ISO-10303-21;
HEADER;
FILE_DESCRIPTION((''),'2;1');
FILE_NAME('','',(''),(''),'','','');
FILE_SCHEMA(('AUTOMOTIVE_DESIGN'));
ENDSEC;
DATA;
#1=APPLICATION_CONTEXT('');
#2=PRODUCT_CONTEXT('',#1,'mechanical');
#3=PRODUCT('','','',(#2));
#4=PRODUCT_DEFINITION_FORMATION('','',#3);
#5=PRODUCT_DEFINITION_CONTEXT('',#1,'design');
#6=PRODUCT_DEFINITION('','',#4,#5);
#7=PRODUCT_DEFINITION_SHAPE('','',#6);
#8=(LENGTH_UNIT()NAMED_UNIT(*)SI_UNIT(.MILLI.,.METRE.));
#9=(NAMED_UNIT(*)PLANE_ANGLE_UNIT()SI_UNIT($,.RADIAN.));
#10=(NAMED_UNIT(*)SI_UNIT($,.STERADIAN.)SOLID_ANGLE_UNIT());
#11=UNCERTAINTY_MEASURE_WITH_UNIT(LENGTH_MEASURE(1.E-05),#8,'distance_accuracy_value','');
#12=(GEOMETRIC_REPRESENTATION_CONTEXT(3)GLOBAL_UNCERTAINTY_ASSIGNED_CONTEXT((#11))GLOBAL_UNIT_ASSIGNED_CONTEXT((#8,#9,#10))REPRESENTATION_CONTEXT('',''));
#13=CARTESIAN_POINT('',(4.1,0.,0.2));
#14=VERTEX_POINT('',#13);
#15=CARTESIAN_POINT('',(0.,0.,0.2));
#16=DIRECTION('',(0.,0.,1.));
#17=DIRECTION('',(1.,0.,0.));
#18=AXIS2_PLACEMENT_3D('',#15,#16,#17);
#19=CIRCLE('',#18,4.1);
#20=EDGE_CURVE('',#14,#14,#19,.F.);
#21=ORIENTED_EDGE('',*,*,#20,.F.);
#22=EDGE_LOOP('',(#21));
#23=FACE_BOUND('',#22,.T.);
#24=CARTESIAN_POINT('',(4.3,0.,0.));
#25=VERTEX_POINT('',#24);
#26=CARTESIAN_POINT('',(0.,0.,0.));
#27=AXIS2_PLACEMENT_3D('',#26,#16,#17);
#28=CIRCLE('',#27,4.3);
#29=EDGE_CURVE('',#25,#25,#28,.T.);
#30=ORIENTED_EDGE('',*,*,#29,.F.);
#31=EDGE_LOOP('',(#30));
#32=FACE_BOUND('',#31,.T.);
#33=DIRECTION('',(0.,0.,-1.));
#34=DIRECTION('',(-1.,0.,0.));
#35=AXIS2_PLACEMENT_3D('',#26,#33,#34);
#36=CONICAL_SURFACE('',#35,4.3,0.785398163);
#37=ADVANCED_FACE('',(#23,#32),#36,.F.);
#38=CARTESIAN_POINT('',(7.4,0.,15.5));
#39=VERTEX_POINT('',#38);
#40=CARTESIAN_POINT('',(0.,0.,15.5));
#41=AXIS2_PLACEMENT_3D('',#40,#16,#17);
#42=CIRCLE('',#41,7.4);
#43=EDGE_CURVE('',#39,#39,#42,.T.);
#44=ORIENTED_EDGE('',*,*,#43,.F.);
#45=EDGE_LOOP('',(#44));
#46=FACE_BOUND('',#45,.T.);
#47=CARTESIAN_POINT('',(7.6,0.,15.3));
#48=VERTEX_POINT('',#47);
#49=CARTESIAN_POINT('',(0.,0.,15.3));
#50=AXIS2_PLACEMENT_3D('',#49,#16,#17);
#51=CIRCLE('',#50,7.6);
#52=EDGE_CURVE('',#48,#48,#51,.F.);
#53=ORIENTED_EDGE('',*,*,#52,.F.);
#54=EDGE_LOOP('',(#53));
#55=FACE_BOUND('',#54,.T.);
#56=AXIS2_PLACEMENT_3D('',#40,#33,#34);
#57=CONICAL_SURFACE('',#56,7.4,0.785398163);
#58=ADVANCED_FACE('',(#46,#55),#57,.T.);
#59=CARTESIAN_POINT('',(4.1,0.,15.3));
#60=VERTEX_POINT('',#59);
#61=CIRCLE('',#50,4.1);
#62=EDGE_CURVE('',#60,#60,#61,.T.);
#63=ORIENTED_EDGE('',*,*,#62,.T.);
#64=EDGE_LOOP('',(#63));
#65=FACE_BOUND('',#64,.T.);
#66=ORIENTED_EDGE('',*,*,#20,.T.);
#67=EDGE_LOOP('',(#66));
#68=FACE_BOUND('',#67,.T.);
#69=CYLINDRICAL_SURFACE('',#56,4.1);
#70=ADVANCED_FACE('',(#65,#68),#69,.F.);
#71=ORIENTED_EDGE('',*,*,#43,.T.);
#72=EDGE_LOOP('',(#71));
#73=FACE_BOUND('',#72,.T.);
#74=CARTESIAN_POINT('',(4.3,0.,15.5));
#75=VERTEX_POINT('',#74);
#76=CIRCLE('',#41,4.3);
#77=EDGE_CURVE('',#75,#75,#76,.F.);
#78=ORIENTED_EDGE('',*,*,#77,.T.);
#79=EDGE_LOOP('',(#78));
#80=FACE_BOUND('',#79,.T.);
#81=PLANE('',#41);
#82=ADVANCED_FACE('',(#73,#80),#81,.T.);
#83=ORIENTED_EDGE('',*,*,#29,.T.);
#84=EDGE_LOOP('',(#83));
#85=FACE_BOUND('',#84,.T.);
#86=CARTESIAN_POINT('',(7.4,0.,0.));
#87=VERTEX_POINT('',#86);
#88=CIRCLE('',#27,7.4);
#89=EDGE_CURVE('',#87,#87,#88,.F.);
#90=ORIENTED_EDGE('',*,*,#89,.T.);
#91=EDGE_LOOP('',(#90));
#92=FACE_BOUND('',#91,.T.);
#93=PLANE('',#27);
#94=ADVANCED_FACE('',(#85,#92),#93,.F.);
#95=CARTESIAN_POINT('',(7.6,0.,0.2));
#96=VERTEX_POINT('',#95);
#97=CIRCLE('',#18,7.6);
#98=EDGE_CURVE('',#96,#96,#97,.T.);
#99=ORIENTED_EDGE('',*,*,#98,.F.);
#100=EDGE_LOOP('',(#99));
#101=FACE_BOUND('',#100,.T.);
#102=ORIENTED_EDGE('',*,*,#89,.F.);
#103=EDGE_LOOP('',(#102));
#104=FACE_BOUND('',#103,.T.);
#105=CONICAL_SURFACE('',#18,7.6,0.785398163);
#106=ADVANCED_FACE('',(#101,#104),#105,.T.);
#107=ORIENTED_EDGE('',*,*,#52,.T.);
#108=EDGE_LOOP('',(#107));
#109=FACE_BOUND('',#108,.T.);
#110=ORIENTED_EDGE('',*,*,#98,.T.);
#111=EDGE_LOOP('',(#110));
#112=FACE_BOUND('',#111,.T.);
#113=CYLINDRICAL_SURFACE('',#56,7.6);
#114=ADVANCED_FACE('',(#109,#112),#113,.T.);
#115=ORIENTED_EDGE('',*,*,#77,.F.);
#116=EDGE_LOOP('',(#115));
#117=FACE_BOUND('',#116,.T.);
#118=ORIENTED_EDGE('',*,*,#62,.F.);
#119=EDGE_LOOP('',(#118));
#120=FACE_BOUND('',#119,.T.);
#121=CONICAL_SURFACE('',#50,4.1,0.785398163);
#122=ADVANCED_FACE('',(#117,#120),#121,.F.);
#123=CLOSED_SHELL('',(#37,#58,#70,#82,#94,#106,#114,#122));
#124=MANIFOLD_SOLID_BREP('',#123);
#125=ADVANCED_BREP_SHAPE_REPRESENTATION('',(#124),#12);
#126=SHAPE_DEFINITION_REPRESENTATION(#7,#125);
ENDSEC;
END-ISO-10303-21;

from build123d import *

# Parameters (mm, degrees)
ESQUISSE1_R        = 7.6
ESQUISSE1_R_2      = 4.1
BOSS_EXTRU_1_DEPTH = 15.5
CHANFREIN1_SIZE    = 0.2


with BuildPart() as part:
    # Esquisse1 → Boss.-Extru.1 (new body)
    with BuildSketch(Plane.XY):
        Circle(ESQUISSE1_R)
        Circle(ESQUISSE1_R_2, mode=Mode.SUBTRACT)
    extrude(amount=BOSS_EXTRU_1_DEPTH)

    # Chanfrein1
    chanfrein1_edges = [part.edges().sort_by_distance(p)[0] for p in [
        (-7.6, 0, 0),
        (-7.6, 0, 15.5),
        (-4.1, 0, 0),
        (-4.1, 0, 15.5),
    ]]
    chamfer(chanfrein1_edges, length=CHANFREIN1_SIZE)


solid = part.part
